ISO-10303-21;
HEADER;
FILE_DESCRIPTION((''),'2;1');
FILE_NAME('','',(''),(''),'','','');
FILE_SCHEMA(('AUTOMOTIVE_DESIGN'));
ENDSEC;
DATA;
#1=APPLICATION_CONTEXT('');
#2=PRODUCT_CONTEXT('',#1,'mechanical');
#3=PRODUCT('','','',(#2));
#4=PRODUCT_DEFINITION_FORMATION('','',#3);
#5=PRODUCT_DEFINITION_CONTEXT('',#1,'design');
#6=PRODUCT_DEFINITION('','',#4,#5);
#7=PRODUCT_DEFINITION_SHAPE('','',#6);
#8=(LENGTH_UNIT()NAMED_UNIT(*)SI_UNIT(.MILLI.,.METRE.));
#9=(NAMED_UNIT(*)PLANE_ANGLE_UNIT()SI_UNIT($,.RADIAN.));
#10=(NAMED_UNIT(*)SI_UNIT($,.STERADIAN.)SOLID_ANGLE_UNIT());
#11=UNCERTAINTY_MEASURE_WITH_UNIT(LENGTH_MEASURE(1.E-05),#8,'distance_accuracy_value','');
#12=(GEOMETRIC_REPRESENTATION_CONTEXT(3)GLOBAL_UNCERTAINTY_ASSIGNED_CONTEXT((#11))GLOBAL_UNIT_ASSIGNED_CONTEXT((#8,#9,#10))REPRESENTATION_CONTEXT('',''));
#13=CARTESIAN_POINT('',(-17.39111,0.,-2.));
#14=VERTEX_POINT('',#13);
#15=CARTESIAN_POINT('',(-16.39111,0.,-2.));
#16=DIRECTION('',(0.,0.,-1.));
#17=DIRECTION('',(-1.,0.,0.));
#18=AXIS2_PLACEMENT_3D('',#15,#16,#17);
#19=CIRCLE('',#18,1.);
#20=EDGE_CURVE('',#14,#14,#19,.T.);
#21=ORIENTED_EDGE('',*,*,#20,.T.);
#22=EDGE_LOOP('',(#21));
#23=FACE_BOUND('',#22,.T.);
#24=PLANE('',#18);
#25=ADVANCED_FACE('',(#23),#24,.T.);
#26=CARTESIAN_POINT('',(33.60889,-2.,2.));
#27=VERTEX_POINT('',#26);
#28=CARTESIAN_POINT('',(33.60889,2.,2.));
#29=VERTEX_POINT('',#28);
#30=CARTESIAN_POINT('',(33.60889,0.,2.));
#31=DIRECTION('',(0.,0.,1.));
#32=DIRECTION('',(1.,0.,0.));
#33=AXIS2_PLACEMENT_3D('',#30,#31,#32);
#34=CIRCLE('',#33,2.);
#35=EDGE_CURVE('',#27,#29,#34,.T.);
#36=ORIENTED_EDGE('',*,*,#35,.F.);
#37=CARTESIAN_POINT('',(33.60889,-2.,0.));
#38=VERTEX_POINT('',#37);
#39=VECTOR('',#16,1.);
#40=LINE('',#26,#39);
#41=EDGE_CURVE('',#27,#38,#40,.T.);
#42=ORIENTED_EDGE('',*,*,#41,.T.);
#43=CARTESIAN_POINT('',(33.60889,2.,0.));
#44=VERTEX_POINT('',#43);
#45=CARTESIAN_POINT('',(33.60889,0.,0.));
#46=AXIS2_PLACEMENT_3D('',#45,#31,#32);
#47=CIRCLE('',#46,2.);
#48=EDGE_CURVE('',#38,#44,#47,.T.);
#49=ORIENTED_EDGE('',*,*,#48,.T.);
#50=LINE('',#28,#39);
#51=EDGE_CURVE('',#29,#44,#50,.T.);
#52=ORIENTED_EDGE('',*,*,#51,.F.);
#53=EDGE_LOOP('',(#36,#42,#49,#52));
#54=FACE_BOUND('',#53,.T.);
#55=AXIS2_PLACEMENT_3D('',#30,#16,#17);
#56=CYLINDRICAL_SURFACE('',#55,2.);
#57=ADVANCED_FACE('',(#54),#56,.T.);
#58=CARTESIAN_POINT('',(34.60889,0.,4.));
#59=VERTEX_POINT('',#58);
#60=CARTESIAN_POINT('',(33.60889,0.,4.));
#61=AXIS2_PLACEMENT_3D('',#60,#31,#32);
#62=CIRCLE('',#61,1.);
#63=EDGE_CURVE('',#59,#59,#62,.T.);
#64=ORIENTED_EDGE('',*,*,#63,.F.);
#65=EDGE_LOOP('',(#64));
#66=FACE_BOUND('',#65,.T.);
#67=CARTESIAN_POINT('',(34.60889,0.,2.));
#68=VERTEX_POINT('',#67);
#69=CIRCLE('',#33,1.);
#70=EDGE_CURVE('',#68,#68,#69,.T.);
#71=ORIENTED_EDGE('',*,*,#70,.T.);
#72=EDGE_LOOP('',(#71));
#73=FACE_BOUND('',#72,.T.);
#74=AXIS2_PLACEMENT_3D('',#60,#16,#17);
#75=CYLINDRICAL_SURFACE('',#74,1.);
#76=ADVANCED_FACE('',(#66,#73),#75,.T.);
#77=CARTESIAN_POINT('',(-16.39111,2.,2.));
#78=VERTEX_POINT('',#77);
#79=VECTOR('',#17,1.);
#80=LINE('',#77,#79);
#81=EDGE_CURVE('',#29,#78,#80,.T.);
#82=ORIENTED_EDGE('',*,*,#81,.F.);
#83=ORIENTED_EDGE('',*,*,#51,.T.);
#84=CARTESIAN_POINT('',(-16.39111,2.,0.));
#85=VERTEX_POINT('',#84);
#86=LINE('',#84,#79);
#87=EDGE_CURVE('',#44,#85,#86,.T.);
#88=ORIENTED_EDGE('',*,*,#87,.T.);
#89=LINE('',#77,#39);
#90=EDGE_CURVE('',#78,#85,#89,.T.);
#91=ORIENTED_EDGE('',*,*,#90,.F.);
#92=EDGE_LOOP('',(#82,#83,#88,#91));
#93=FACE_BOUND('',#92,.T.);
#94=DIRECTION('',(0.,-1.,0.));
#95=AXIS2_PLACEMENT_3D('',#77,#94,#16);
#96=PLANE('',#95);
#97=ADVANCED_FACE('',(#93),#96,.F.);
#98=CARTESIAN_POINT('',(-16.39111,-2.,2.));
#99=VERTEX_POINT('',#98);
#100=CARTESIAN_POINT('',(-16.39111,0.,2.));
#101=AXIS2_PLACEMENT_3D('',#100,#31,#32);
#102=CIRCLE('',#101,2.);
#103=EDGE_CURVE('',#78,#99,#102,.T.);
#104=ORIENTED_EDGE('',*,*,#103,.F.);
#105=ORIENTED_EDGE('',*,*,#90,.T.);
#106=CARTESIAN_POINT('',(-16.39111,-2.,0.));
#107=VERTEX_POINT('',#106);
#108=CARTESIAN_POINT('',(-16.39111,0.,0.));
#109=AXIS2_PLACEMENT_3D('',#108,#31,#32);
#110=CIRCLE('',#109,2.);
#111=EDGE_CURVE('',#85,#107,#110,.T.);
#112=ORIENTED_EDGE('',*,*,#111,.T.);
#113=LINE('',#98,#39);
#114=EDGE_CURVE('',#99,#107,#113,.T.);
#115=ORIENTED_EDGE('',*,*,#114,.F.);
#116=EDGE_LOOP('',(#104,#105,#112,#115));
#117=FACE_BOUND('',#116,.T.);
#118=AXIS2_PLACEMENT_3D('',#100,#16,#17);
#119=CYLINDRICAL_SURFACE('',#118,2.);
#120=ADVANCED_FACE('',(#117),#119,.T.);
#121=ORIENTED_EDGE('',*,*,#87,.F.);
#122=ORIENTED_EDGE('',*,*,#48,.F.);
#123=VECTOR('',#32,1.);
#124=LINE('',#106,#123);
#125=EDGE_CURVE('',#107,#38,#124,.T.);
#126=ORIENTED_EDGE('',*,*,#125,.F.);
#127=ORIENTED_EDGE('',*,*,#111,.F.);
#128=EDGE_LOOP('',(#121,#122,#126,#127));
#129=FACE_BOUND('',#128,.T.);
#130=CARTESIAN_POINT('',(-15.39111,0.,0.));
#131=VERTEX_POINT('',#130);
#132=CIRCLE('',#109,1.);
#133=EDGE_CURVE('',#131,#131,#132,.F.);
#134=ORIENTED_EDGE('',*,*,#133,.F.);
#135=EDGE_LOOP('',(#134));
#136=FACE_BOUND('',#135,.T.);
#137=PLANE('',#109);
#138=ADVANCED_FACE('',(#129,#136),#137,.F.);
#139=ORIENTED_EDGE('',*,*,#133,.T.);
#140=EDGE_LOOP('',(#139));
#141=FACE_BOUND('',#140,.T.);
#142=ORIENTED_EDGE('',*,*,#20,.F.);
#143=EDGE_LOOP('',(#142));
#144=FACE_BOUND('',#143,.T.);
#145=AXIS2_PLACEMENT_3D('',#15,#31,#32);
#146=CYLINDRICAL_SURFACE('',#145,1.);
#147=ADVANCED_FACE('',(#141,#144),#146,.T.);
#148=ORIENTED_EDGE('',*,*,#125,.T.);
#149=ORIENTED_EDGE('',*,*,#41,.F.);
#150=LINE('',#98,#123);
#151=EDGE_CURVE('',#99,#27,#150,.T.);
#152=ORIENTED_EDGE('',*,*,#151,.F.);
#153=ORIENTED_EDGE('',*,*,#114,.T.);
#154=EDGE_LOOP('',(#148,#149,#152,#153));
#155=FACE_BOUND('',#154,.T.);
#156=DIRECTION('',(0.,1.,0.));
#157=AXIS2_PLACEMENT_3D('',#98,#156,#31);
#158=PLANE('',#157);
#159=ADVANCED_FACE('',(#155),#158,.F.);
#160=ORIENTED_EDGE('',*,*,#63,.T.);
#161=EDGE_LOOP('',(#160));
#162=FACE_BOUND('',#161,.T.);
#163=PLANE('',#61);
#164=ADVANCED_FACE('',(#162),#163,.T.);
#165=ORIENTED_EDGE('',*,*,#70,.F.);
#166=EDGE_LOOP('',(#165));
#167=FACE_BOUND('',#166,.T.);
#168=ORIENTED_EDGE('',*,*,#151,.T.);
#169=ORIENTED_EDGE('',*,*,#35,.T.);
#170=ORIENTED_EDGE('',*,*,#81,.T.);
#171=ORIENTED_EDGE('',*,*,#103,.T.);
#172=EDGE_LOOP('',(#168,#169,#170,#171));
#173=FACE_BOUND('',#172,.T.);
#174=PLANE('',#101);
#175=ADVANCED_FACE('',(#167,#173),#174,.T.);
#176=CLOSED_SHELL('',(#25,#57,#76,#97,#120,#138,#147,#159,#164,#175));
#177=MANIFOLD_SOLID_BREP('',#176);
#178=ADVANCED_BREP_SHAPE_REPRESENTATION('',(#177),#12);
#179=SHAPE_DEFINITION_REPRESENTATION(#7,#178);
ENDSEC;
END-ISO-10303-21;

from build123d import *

# Parameters (mm, degrees)
EXTRUDE_1_DEPTH = 2
SKETCH_2_R      = 1
EXTRUDE_2_DEPTH = 2
SKETCH_3_R      = 1
EXTRUDE_3_DEPTH = 2


with BuildPart() as part:
    # 草图1 → 凸台-拉伸1 (new body)
    with BuildSketch(Plane.XY):
        with BuildLine():
            Line((-16.391109626, -2), (33.608890374, -2))
            ThreePointArc((33.608890374, -2), (35.608890374, 0), (33.608890374, 2))
            Line((33.608890374, 2), (-16.391109626, 2))
            ThreePointArc((-16.391109626, 2), (-18.391109626, 0), (-16.391109626, -2))
        make_face()
    extrude(amount=EXTRUDE_1_DEPTH)

    # 草图2 → 凸台-拉伸2 (add)
    with BuildSketch(Plane.XY.offset(2)):
        with Locations((33.608890374, 0)):
            Circle(SKETCH_2_R)
    extrude(amount=EXTRUDE_2_DEPTH)

    # 草图3 → 凸台-拉伸3 (add)
    with BuildSketch(Plane(origin=(0, 0, 0), x_dir=(-1, 0, 0), z_dir=(0, 0, -1))):
        with Locations((16.391109626, 0)):
            Circle(SKETCH_3_R)
    extrude(amount=EXTRUDE_3_DEPTH)


solid = part.part
